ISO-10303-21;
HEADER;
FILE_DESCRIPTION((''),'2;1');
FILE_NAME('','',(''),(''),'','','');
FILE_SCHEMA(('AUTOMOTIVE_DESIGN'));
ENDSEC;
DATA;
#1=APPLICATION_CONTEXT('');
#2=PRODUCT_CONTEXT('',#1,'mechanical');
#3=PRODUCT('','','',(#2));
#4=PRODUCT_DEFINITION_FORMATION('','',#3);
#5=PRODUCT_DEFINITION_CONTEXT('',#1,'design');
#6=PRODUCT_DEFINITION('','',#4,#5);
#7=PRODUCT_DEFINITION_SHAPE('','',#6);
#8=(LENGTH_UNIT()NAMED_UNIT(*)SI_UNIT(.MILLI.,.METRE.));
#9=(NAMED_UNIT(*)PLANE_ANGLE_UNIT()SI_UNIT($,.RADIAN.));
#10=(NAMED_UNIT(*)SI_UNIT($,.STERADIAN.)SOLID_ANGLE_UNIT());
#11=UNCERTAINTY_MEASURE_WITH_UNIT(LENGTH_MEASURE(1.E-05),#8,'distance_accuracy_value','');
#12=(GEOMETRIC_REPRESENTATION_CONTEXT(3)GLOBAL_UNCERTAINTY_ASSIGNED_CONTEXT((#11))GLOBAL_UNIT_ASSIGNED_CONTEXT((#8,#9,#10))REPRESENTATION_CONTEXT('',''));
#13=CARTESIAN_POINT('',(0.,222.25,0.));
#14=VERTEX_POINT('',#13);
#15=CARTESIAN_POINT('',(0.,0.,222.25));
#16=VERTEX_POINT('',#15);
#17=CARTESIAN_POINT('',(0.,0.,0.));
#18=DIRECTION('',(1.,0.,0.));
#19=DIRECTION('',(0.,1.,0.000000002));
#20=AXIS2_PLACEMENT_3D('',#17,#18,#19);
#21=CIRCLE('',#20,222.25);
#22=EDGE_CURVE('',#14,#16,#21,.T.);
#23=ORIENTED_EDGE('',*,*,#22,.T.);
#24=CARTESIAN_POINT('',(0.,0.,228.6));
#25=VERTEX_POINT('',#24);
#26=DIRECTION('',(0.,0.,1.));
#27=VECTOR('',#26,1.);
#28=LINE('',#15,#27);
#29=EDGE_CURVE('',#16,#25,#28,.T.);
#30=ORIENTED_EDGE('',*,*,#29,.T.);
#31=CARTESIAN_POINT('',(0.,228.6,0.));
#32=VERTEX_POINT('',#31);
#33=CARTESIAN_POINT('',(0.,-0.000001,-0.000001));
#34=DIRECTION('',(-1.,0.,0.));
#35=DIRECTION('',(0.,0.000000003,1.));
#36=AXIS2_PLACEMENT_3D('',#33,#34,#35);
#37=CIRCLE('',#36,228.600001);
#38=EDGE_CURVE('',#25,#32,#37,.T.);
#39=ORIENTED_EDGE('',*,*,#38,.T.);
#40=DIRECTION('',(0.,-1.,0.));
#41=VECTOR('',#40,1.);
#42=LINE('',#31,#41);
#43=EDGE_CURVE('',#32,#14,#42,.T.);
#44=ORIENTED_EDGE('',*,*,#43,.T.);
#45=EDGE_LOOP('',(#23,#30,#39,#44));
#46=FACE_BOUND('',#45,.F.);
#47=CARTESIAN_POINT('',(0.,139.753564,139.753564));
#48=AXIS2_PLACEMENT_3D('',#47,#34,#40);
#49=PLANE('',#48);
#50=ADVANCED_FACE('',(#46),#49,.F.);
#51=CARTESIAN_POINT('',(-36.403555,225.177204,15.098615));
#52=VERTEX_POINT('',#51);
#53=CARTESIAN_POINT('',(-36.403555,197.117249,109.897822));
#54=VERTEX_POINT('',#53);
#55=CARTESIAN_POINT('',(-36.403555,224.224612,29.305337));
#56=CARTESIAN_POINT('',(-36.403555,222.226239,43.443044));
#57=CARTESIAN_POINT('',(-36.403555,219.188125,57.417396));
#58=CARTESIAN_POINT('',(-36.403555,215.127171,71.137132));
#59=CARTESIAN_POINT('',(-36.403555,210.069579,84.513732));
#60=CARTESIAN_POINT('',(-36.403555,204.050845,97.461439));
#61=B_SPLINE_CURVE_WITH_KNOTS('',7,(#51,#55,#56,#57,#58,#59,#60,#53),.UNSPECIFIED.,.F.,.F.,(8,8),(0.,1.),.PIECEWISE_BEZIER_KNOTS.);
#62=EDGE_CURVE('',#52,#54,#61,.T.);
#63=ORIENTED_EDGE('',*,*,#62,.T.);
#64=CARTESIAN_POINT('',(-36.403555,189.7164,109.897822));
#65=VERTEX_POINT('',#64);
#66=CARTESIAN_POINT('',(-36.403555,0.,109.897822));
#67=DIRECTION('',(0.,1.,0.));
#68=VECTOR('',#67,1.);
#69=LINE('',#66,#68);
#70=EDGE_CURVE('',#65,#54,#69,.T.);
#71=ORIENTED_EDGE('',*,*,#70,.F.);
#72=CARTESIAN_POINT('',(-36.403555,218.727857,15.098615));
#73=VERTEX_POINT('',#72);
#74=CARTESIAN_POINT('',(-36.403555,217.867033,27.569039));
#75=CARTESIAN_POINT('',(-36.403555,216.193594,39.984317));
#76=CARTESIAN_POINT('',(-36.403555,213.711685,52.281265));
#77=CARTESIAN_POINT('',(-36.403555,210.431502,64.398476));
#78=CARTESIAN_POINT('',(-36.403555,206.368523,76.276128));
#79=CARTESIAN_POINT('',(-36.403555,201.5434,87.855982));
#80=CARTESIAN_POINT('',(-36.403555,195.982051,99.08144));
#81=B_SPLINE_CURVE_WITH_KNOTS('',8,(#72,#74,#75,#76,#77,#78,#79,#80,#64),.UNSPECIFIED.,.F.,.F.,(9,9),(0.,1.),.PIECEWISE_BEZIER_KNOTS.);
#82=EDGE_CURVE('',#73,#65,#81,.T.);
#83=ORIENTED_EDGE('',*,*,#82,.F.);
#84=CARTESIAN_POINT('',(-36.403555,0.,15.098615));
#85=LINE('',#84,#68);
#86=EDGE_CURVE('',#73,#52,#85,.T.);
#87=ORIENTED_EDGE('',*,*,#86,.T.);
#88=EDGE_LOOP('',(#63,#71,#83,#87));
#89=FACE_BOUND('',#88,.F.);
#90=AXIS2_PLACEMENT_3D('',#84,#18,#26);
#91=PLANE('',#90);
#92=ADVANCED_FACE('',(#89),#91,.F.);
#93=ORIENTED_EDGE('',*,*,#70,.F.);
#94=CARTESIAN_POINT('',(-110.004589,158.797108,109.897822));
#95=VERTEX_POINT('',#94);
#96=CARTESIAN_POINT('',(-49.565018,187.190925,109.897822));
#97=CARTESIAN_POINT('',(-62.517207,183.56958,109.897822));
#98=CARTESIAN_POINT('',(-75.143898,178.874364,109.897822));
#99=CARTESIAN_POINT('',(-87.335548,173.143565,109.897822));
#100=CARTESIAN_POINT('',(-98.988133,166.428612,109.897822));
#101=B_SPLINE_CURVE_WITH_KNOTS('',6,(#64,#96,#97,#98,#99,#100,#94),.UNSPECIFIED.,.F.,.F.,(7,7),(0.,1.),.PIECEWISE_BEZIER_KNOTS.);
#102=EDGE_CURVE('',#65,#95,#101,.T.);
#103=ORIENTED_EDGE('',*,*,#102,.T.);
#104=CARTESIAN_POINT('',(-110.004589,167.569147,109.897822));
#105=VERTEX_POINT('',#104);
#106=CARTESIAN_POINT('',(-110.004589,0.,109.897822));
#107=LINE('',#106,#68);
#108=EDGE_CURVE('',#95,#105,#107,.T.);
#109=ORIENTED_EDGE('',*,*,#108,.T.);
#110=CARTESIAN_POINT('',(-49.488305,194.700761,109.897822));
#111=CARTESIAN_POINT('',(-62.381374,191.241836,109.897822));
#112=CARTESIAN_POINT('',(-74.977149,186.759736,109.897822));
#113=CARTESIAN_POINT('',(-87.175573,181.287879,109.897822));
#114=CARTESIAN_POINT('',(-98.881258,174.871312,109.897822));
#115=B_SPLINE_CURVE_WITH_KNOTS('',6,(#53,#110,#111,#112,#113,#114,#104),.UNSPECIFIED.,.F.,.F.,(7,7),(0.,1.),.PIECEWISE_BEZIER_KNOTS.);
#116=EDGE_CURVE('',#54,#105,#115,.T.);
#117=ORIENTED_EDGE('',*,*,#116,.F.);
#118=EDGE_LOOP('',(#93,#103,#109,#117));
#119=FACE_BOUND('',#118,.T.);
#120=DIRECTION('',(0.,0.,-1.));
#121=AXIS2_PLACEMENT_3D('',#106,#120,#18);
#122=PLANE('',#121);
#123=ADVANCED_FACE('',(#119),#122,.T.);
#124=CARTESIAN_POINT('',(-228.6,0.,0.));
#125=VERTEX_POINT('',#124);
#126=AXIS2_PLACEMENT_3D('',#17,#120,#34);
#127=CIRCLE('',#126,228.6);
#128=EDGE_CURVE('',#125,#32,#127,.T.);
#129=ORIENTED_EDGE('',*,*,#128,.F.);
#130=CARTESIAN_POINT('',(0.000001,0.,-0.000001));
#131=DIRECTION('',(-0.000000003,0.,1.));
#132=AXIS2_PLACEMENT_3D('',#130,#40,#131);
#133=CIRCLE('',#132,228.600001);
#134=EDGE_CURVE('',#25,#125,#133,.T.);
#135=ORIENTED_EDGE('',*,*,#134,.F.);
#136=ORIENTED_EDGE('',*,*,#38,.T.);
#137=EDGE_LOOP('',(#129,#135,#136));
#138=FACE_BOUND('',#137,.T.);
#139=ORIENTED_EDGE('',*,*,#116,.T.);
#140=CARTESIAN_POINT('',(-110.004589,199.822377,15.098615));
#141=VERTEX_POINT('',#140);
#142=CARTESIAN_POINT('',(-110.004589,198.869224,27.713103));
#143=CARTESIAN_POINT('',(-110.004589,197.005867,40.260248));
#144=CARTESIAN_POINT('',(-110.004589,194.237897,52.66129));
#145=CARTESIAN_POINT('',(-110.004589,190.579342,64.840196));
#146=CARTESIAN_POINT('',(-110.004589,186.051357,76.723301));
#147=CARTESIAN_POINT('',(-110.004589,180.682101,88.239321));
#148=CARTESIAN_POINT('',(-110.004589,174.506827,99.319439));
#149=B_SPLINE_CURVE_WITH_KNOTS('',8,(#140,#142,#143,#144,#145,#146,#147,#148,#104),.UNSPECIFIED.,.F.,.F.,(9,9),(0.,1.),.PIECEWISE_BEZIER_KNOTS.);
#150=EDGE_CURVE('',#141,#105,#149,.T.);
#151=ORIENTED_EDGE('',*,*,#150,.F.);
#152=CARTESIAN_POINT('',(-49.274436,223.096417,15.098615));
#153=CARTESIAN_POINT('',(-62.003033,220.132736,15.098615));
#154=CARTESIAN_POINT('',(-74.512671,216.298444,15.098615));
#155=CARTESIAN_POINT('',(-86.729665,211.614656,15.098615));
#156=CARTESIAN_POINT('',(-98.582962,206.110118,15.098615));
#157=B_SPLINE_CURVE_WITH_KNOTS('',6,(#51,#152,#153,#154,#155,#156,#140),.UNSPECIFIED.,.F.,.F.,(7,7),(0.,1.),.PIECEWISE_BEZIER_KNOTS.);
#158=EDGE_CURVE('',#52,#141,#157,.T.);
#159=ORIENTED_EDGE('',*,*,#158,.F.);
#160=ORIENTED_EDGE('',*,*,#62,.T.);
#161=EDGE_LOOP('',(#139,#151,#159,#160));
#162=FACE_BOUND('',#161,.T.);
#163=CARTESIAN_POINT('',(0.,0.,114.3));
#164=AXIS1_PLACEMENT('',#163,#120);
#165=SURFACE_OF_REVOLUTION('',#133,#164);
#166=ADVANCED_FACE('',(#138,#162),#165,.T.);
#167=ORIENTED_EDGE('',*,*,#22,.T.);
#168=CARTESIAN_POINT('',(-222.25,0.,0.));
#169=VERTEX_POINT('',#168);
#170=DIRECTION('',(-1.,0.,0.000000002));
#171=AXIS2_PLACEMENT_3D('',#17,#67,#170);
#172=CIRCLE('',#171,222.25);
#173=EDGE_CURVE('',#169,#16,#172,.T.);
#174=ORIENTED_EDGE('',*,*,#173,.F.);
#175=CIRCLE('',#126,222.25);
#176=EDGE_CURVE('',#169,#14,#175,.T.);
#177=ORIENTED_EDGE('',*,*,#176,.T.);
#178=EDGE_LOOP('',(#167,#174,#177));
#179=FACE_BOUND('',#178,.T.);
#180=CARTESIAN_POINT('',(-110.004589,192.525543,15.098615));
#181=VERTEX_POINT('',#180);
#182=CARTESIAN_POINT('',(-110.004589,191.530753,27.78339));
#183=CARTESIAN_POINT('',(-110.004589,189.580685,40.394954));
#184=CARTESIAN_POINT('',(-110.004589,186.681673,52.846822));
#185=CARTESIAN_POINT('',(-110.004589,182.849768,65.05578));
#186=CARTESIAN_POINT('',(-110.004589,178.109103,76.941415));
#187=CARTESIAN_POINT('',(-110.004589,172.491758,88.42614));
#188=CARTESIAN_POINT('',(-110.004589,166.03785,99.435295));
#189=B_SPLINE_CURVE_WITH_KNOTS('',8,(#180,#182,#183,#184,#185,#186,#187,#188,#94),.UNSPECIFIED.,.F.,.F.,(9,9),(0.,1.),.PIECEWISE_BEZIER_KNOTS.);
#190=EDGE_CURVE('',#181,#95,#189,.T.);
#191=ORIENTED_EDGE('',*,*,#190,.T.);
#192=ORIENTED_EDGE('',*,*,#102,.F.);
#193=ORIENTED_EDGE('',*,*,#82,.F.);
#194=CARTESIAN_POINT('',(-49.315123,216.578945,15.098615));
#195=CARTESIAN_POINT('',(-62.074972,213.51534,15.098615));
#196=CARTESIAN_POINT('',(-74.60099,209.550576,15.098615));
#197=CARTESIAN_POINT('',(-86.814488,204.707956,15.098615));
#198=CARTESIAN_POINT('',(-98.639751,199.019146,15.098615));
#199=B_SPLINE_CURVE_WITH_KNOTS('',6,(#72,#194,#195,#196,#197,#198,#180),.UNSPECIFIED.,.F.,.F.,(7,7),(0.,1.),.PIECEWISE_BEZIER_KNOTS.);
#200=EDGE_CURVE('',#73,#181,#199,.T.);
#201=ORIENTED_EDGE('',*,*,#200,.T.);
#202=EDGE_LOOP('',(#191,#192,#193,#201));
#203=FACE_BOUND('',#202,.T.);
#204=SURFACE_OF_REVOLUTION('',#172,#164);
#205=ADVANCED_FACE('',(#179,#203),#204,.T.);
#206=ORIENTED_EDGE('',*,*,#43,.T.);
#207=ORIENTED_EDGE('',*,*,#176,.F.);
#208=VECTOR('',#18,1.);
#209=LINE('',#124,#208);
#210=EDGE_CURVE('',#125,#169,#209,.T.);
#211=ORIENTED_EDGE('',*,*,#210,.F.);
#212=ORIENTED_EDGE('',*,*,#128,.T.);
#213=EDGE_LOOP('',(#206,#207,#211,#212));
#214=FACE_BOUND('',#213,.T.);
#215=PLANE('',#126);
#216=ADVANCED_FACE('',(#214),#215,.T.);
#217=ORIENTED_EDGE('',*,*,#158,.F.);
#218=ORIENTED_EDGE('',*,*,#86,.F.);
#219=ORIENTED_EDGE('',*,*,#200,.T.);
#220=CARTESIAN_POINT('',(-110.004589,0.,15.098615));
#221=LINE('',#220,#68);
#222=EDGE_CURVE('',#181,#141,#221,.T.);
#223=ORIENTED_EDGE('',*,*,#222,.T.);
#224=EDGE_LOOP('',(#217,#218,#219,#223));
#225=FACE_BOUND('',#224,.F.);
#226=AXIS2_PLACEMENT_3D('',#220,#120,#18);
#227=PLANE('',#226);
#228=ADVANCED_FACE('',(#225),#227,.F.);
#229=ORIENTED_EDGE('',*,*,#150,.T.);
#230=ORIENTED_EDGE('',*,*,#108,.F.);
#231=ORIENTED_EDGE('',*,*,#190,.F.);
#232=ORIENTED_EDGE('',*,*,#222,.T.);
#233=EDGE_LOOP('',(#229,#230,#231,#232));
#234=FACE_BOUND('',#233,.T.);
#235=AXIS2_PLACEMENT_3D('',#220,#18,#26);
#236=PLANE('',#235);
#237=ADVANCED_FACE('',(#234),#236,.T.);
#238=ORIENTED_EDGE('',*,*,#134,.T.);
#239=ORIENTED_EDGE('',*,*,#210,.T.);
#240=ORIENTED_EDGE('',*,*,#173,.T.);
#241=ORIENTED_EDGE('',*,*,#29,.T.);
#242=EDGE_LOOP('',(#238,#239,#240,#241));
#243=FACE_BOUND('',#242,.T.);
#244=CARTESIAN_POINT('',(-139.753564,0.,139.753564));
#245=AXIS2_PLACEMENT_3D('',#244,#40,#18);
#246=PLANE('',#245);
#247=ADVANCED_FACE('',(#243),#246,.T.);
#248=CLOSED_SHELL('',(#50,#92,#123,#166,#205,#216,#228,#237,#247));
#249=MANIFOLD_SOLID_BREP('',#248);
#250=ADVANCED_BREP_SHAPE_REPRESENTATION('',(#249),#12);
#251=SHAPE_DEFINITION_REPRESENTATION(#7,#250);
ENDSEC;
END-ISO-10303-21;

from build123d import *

# Parameters (mm, degrees)
F1_ANGLE = 90
F2_W     = 73.601034
F2_H     = 94.799207
F3_DEPTH = 285.242


with BuildPart() as f1:
    # F0 (on Front) → F1 (revolve)
    with BuildSketch(Plane.XZ):
        with BuildLine():
            Line((0, 222.25), (0, 228.6))
            ThreePointArc((0, 228.6), (-161.64461, 161.64461), (-228.6, 0))
            Line((-228.6, 0), (-222.25, 0))
            ThreePointArc((-222.25, 0), (-157.154482, 157.154482), (0, 222.25))
        make_face()
    revolve(axis=Axis((0, 0, 114.3), (0, 0, -1)), revolution_arc=F1_ANGLE)

    # F2 (on Front) → F3 (cut)
    with BuildSketch(Plane.XZ):
        with Locations((-73.204072, 62.498218)):
            Rectangle(F2_W, F2_H)
    extrude(amount=-F3_DEPTH, mode=Mode.SUBTRACT)


solid = f1.part
